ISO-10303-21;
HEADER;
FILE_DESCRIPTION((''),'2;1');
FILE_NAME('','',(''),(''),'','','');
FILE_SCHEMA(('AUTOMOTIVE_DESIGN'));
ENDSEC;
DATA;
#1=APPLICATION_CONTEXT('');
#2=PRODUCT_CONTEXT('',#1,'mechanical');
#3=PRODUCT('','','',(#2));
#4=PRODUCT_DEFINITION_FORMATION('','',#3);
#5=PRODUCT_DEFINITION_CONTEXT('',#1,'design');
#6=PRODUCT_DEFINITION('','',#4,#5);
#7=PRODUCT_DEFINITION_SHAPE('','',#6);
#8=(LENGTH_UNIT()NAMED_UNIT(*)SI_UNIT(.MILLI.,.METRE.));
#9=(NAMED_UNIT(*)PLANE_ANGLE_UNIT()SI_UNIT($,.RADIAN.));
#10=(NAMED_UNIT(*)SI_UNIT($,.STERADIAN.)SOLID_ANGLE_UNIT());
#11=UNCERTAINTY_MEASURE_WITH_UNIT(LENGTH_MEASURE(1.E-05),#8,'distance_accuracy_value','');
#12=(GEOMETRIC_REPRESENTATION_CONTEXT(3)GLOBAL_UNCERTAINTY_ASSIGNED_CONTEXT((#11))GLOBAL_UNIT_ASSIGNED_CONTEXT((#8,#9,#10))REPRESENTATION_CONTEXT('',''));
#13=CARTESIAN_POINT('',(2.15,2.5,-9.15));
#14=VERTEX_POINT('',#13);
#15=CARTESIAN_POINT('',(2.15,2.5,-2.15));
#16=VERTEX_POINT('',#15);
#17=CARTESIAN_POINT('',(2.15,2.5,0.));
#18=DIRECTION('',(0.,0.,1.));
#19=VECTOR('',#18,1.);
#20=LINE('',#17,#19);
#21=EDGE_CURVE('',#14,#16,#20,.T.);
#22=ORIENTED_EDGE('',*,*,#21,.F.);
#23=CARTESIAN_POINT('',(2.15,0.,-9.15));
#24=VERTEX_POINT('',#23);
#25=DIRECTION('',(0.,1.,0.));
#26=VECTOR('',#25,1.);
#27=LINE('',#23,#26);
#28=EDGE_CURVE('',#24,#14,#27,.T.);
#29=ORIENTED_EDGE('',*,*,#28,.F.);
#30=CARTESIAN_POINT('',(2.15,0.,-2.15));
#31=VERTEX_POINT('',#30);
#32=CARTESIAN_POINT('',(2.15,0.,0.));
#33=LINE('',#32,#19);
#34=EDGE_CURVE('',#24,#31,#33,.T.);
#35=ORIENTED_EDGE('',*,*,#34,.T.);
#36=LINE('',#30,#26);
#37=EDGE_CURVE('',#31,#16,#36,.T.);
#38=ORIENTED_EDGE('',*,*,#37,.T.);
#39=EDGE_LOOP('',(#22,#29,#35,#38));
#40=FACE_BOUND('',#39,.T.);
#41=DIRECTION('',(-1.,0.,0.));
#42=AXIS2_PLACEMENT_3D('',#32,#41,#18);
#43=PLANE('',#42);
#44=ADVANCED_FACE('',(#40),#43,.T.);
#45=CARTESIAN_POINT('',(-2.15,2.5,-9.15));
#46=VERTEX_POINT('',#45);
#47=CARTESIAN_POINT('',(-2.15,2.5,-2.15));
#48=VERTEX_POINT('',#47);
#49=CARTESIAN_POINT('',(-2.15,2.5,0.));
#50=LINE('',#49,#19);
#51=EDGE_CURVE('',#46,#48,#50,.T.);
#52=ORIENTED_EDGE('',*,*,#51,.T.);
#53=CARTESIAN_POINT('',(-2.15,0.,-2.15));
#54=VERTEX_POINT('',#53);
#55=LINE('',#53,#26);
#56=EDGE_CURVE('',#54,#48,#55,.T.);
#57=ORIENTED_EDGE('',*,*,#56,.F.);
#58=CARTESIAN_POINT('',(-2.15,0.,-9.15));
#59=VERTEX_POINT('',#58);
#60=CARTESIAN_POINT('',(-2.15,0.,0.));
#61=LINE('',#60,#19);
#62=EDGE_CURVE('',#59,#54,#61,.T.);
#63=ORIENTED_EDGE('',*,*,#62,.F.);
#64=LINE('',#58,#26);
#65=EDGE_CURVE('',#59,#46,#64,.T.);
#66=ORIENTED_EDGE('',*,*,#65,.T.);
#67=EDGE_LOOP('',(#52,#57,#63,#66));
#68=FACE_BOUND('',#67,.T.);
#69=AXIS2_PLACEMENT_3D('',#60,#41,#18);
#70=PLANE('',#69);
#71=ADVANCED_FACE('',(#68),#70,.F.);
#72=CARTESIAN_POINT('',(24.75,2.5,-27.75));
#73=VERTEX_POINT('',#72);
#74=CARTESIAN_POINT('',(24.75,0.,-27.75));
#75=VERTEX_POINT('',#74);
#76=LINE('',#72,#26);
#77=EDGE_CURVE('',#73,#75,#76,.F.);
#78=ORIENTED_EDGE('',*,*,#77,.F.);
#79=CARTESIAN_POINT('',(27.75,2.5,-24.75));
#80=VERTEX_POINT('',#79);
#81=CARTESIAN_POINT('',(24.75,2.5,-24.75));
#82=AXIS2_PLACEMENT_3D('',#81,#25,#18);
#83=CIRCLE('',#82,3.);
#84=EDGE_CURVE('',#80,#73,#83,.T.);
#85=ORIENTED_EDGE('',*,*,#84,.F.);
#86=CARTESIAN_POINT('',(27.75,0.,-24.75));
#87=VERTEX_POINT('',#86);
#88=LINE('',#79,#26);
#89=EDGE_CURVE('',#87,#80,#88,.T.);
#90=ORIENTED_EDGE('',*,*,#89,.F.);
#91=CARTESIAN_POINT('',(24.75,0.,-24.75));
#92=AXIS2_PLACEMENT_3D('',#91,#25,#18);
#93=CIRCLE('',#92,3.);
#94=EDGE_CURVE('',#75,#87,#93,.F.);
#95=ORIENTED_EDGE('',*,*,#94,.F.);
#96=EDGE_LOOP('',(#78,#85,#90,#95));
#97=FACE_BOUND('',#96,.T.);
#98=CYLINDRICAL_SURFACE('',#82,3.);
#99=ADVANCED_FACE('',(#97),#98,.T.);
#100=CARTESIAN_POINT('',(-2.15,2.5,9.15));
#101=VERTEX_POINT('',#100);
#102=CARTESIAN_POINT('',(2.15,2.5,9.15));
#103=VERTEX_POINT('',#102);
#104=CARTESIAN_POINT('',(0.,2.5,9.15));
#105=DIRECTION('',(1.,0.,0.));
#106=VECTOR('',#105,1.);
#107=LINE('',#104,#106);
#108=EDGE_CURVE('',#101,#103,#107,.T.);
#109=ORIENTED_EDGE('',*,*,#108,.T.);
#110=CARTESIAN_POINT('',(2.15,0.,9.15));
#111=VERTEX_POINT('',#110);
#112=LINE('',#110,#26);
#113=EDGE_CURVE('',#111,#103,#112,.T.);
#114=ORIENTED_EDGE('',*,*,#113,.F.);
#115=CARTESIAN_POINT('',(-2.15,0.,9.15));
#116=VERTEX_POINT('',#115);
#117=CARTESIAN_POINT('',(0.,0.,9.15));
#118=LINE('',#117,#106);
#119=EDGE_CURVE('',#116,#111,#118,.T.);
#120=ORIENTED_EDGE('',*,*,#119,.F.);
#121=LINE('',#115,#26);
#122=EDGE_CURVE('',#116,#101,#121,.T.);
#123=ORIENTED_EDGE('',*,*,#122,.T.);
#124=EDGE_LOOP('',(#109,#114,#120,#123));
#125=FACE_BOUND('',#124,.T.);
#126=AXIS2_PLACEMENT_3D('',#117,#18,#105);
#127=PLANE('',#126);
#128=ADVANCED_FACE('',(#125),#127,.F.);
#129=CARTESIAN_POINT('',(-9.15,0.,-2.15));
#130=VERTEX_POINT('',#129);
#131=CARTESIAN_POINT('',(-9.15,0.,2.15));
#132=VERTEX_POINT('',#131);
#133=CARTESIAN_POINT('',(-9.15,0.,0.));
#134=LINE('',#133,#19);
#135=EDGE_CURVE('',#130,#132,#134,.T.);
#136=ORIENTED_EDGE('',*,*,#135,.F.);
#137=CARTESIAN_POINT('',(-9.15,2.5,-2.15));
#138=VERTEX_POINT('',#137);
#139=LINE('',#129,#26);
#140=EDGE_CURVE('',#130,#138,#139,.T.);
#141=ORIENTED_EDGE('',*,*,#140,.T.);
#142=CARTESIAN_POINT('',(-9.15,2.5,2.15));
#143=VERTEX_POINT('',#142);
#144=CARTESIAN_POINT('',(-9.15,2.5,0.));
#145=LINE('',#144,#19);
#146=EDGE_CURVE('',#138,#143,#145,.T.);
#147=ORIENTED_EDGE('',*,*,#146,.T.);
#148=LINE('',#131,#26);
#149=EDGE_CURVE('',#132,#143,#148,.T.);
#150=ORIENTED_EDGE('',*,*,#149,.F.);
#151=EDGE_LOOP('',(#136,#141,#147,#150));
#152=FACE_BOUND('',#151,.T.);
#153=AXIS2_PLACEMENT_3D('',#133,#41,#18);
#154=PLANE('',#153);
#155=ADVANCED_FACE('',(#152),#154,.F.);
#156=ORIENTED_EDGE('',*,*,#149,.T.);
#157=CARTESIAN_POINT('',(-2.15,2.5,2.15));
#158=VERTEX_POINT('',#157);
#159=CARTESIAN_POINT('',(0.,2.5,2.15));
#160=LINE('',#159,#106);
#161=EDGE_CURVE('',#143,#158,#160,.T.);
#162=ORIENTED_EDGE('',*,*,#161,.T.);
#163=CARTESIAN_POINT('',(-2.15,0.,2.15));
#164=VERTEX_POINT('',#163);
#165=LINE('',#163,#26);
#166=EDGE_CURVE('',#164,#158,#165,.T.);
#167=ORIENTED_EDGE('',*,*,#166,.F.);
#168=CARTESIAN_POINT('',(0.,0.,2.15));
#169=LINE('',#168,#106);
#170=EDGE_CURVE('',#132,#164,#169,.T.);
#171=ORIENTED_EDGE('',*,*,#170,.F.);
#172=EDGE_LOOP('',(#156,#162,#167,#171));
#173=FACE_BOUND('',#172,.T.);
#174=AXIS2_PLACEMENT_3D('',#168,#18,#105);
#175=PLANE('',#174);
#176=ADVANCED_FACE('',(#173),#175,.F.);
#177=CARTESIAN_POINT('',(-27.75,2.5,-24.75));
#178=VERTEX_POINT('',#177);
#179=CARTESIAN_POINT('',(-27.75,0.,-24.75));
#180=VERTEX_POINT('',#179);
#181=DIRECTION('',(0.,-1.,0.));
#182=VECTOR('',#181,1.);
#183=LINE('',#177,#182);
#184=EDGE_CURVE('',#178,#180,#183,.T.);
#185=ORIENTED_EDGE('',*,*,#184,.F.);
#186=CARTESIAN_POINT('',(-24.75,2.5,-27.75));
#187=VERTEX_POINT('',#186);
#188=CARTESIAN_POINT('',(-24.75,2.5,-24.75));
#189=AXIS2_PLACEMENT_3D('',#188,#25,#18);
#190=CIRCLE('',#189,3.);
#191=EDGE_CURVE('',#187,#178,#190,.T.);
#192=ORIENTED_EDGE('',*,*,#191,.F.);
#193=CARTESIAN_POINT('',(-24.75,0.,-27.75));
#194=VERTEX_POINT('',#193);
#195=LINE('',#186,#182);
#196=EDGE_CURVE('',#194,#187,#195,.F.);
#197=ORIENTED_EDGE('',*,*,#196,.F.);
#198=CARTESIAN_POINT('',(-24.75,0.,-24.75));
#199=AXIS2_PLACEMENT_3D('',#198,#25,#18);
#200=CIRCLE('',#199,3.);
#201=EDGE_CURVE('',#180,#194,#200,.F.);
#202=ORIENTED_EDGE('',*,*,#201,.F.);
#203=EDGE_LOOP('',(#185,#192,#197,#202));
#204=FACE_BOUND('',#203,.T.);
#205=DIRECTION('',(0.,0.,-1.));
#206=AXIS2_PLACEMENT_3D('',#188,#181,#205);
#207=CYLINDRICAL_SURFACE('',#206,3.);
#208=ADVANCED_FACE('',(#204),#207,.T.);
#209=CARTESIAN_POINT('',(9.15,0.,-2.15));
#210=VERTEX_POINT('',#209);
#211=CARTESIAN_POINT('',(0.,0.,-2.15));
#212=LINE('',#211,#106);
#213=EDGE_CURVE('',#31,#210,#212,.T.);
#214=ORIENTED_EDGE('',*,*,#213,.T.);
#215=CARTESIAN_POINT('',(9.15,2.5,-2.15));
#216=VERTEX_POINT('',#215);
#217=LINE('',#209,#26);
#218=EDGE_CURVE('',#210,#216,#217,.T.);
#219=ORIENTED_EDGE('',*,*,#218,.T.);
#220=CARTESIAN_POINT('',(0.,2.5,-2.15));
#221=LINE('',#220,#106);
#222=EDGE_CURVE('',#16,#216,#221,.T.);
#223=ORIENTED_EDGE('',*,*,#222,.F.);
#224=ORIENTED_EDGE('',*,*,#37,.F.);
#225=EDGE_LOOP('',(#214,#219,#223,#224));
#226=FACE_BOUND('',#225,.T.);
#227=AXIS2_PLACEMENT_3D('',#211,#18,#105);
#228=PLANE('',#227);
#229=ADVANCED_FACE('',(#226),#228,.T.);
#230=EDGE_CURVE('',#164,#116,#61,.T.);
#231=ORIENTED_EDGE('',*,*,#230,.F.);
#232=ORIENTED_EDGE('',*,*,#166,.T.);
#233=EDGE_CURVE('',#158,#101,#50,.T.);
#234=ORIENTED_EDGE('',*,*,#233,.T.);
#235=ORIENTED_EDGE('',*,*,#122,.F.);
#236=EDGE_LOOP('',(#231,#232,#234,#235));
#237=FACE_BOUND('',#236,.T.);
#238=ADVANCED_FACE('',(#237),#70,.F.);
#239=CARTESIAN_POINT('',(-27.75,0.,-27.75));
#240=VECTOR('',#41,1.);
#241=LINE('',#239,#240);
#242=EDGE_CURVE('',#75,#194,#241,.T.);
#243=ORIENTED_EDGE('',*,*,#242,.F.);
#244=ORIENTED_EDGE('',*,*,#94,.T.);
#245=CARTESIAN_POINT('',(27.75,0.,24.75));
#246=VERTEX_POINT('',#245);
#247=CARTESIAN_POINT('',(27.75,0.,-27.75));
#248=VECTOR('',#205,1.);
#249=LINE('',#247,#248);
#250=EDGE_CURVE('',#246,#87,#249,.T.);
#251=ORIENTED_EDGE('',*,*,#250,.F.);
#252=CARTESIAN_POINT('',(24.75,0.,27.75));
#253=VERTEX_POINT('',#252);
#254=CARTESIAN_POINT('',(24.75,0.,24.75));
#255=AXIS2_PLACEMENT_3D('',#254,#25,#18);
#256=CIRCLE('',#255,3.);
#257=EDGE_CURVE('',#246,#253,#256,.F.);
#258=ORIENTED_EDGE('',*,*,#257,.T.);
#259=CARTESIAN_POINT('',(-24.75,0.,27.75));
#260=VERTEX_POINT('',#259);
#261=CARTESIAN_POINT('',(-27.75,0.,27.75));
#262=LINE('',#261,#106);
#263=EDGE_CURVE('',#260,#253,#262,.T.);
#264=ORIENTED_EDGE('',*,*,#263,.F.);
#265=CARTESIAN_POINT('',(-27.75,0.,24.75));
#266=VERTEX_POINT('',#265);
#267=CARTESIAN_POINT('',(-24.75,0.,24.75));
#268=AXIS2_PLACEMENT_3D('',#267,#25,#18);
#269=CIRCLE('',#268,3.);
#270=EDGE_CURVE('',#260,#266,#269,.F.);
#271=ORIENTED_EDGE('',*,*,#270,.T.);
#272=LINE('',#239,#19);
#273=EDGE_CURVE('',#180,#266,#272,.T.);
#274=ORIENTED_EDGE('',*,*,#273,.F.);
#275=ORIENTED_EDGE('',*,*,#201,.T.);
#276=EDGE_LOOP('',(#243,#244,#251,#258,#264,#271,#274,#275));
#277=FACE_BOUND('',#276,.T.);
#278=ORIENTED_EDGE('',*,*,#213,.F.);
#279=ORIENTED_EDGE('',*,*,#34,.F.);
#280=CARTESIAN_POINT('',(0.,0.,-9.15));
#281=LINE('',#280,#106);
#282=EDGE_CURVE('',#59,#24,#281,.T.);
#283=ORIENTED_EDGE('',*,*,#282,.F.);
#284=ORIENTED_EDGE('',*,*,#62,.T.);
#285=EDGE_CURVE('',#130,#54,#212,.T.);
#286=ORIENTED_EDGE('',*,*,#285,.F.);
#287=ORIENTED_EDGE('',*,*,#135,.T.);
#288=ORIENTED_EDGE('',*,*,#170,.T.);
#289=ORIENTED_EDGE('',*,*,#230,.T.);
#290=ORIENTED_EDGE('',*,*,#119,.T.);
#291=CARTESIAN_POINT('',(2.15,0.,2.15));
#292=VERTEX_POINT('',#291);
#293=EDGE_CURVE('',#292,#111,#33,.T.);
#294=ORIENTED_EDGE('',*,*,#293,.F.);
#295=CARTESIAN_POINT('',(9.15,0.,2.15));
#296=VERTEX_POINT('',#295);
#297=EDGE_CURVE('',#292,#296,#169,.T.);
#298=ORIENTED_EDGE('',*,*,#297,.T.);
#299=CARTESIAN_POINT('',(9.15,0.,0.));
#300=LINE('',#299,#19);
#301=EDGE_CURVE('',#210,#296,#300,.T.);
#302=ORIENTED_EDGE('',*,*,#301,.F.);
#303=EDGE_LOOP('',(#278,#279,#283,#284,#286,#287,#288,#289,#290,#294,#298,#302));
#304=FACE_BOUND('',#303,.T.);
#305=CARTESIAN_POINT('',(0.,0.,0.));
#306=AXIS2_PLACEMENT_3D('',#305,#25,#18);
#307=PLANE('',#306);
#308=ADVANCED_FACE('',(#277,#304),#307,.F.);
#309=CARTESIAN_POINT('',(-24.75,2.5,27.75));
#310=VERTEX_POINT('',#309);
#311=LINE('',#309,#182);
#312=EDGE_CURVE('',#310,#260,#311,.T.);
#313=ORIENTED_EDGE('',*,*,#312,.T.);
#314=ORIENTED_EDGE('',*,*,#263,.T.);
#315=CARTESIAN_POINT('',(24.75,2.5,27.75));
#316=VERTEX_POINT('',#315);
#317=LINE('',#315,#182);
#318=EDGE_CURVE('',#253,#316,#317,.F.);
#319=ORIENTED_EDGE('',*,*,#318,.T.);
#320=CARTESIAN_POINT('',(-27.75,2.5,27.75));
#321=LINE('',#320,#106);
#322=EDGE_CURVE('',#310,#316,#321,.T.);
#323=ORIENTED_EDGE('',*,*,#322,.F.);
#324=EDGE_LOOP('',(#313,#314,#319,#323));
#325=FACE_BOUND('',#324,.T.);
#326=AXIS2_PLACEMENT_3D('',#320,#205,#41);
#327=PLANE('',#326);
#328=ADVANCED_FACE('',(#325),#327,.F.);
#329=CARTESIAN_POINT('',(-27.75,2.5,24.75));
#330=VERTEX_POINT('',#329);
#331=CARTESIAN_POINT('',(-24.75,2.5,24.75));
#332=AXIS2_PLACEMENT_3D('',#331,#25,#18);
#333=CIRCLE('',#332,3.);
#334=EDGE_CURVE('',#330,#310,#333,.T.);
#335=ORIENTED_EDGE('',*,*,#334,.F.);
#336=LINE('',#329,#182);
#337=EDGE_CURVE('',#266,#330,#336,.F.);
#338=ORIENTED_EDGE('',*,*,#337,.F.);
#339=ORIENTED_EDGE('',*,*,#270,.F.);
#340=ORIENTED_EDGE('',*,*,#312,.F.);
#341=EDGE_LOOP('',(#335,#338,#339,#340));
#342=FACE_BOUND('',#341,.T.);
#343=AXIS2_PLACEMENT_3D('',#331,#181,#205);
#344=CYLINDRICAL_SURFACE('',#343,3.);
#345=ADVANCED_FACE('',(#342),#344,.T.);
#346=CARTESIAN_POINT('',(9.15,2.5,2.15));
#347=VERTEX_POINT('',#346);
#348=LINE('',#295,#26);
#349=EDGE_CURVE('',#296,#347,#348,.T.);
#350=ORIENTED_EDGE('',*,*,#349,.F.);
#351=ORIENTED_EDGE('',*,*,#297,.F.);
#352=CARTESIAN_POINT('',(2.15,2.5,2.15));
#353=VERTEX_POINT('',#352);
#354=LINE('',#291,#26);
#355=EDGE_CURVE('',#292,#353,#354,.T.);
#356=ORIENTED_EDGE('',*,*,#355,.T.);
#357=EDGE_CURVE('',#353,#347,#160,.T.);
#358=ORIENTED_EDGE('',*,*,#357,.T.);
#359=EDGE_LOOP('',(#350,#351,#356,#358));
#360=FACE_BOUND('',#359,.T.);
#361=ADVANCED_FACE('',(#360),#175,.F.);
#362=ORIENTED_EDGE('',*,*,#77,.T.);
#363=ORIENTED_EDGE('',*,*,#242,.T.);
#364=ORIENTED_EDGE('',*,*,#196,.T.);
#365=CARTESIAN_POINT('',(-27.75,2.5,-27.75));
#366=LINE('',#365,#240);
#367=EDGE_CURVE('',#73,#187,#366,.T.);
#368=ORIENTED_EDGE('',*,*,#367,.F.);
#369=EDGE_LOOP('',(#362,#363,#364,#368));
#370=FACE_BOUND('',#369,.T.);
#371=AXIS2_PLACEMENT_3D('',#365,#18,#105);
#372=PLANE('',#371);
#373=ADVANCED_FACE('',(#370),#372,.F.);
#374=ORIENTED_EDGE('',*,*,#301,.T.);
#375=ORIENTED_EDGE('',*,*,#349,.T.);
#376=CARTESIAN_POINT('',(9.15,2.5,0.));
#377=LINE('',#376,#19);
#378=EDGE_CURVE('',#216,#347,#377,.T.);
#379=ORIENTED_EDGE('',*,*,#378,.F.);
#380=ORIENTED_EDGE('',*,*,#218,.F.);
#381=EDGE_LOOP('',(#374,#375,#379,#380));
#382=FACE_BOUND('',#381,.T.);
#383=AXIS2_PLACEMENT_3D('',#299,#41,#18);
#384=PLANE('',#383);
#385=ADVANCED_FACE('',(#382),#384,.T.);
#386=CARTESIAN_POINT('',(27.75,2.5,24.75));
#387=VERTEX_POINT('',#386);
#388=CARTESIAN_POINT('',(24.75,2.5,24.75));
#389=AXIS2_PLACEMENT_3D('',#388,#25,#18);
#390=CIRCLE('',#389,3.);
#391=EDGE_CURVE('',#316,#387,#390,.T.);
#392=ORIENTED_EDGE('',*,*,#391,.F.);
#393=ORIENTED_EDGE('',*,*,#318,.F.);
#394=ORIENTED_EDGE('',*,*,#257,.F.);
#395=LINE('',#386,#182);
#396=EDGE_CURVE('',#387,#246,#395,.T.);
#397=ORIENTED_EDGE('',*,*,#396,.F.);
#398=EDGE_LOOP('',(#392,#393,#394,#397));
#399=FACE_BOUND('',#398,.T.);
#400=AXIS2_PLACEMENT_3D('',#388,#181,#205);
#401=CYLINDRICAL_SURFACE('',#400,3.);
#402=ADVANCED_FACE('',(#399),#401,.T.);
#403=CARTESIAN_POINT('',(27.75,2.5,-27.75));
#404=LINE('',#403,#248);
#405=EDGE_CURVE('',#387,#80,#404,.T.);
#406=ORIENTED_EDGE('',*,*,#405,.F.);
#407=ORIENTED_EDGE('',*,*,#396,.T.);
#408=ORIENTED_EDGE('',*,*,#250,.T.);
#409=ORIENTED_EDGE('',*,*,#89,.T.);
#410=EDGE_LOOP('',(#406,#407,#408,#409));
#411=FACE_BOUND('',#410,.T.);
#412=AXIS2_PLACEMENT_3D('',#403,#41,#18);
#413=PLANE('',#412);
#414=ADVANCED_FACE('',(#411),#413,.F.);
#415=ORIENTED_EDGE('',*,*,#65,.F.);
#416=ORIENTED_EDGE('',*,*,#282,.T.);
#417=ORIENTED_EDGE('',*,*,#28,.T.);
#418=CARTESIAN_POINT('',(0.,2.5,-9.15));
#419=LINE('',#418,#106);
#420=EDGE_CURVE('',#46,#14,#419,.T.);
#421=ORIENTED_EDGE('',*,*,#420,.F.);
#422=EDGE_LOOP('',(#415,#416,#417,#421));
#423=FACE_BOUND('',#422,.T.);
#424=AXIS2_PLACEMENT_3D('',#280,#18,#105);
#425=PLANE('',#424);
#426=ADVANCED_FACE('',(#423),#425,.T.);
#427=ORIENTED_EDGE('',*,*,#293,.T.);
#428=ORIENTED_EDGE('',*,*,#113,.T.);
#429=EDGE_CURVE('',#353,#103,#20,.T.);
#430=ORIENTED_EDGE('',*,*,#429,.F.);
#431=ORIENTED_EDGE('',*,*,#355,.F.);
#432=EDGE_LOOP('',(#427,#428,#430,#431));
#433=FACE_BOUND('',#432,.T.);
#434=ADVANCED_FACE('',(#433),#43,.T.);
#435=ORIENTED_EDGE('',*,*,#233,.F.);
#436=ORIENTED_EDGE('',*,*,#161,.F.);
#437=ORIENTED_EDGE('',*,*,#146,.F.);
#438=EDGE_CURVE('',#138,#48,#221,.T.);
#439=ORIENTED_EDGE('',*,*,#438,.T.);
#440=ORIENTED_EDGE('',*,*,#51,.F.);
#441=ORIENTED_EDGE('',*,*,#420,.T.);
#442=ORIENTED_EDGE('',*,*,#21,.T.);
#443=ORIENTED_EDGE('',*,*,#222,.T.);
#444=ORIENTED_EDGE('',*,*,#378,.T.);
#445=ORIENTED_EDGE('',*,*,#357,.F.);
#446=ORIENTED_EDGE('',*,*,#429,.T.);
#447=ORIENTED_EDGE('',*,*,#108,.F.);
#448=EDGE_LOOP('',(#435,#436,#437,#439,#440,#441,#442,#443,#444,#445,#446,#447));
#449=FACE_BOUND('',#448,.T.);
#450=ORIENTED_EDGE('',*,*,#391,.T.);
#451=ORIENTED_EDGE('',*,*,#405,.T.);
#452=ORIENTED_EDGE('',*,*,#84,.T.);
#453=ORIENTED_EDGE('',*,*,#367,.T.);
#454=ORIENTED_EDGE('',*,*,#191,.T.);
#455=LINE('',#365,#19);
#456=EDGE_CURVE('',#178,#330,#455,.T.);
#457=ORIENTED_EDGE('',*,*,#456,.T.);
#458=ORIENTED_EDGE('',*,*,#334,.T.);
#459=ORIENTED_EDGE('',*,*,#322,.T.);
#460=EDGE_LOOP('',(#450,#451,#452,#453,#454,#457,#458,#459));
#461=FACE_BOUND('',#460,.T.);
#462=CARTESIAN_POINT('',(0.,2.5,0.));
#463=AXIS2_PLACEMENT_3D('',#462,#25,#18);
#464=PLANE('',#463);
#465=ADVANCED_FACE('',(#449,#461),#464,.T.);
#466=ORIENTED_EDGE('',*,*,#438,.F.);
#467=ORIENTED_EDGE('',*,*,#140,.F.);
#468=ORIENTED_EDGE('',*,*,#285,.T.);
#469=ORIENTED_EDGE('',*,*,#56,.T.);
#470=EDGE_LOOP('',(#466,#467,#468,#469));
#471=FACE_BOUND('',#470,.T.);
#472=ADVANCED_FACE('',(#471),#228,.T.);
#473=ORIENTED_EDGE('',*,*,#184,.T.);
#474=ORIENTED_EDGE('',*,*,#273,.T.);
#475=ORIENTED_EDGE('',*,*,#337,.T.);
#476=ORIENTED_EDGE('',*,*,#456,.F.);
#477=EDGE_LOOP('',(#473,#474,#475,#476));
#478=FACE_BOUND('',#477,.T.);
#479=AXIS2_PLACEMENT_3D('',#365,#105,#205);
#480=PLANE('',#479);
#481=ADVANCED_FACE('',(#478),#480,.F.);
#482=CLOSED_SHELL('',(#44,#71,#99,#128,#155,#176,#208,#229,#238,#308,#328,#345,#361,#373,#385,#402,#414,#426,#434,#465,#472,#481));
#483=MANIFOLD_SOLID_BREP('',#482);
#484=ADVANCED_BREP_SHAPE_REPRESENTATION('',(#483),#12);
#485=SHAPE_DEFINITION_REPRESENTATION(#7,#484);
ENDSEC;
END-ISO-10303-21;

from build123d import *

# Parameters (mm, degrees)
ESBO_O1_W                = 55.5
ESBO_O1_H                = 55.5
RESSALTO_EXTRUS_O1_DEPTH = 2.5
FILETE1_R                = 3
FILETE2_R                = 3
FILETE3_R                = 3
FILETE4_R                = 3
ESBO_O3_W                = 4.3
ESBO_O3_H                = 7
ESBO_O3_W_2              = 7
ESBO_O3_H_2              = 4.3
CORTE_EXTRUS_O1_DEPTH    = 40.323974875


with BuildPart() as part:
    # Esboço1 → Ressalto-extrusão1 (new body)
    with BuildSketch(Plane(origin=(0, 0, 0), x_dir=(1, 0, 0), z_dir=(0, 1, 0))):
        Rectangle(ESBO_O1_W, ESBO_O1_H)
    extrude(amount=RESSALTO_EXTRUS_O1_DEPTH)

    # Filete1
    filete1_edges = [part.edges().sort_by_distance(p)[0] for p in [
        (27.75, 1.25, -27.75),
    ]]
    fillet(filete1_edges, radius=FILETE1_R)

    # Filete2
    filete2_edges = [part.edges().sort_by_distance(p)[0] for p in [
        (-27.75, 1.25, -27.75),
    ]]
    fillet(filete2_edges, radius=FILETE2_R)

    # Filete3
    filete3_edges = [part.edges().sort_by_distance(p)[0] for p in [
        (-27.75, 1.25, 27.75),
    ]]
    fillet(filete3_edges, radius=FILETE3_R)

    # Filete4
    filete4_edges = [part.edges().sort_by_distance(p)[0] for p in [
        (27.75, 1.25, 27.75),
    ]]
    fillet(filete4_edges, radius=FILETE4_R)

    # Esboço3 → Corte-extrusão1 (cut, through all)
    with BuildSketch(Plane(origin=(0, 2.5, 0), x_dir=(1, 0, 0), z_dir=(0, 1, 0))):
        with Locations((0, 5.65)):
            Rectangle(ESBO_O3_W, ESBO_O3_H)
        with Locations((-5.65, 0)):
            Rectangle(ESBO_O3_W_2, ESBO_O3_H_2)
        with Locations((0, -5.65)):
            Rectangle(ESBO_O3_W, ESBO_O3_H)
        Rectangle(ESBO_O3_W, ESBO_O3_H_2)
        with Locations((5.65, 0)):
            Rectangle(ESBO_O3_W_2, ESBO_O3_H_2)
    extrude(amount=-CORTE_EXTRUS_O1_DEPTH, mode=Mode.SUBTRACT)


solid = part.part
